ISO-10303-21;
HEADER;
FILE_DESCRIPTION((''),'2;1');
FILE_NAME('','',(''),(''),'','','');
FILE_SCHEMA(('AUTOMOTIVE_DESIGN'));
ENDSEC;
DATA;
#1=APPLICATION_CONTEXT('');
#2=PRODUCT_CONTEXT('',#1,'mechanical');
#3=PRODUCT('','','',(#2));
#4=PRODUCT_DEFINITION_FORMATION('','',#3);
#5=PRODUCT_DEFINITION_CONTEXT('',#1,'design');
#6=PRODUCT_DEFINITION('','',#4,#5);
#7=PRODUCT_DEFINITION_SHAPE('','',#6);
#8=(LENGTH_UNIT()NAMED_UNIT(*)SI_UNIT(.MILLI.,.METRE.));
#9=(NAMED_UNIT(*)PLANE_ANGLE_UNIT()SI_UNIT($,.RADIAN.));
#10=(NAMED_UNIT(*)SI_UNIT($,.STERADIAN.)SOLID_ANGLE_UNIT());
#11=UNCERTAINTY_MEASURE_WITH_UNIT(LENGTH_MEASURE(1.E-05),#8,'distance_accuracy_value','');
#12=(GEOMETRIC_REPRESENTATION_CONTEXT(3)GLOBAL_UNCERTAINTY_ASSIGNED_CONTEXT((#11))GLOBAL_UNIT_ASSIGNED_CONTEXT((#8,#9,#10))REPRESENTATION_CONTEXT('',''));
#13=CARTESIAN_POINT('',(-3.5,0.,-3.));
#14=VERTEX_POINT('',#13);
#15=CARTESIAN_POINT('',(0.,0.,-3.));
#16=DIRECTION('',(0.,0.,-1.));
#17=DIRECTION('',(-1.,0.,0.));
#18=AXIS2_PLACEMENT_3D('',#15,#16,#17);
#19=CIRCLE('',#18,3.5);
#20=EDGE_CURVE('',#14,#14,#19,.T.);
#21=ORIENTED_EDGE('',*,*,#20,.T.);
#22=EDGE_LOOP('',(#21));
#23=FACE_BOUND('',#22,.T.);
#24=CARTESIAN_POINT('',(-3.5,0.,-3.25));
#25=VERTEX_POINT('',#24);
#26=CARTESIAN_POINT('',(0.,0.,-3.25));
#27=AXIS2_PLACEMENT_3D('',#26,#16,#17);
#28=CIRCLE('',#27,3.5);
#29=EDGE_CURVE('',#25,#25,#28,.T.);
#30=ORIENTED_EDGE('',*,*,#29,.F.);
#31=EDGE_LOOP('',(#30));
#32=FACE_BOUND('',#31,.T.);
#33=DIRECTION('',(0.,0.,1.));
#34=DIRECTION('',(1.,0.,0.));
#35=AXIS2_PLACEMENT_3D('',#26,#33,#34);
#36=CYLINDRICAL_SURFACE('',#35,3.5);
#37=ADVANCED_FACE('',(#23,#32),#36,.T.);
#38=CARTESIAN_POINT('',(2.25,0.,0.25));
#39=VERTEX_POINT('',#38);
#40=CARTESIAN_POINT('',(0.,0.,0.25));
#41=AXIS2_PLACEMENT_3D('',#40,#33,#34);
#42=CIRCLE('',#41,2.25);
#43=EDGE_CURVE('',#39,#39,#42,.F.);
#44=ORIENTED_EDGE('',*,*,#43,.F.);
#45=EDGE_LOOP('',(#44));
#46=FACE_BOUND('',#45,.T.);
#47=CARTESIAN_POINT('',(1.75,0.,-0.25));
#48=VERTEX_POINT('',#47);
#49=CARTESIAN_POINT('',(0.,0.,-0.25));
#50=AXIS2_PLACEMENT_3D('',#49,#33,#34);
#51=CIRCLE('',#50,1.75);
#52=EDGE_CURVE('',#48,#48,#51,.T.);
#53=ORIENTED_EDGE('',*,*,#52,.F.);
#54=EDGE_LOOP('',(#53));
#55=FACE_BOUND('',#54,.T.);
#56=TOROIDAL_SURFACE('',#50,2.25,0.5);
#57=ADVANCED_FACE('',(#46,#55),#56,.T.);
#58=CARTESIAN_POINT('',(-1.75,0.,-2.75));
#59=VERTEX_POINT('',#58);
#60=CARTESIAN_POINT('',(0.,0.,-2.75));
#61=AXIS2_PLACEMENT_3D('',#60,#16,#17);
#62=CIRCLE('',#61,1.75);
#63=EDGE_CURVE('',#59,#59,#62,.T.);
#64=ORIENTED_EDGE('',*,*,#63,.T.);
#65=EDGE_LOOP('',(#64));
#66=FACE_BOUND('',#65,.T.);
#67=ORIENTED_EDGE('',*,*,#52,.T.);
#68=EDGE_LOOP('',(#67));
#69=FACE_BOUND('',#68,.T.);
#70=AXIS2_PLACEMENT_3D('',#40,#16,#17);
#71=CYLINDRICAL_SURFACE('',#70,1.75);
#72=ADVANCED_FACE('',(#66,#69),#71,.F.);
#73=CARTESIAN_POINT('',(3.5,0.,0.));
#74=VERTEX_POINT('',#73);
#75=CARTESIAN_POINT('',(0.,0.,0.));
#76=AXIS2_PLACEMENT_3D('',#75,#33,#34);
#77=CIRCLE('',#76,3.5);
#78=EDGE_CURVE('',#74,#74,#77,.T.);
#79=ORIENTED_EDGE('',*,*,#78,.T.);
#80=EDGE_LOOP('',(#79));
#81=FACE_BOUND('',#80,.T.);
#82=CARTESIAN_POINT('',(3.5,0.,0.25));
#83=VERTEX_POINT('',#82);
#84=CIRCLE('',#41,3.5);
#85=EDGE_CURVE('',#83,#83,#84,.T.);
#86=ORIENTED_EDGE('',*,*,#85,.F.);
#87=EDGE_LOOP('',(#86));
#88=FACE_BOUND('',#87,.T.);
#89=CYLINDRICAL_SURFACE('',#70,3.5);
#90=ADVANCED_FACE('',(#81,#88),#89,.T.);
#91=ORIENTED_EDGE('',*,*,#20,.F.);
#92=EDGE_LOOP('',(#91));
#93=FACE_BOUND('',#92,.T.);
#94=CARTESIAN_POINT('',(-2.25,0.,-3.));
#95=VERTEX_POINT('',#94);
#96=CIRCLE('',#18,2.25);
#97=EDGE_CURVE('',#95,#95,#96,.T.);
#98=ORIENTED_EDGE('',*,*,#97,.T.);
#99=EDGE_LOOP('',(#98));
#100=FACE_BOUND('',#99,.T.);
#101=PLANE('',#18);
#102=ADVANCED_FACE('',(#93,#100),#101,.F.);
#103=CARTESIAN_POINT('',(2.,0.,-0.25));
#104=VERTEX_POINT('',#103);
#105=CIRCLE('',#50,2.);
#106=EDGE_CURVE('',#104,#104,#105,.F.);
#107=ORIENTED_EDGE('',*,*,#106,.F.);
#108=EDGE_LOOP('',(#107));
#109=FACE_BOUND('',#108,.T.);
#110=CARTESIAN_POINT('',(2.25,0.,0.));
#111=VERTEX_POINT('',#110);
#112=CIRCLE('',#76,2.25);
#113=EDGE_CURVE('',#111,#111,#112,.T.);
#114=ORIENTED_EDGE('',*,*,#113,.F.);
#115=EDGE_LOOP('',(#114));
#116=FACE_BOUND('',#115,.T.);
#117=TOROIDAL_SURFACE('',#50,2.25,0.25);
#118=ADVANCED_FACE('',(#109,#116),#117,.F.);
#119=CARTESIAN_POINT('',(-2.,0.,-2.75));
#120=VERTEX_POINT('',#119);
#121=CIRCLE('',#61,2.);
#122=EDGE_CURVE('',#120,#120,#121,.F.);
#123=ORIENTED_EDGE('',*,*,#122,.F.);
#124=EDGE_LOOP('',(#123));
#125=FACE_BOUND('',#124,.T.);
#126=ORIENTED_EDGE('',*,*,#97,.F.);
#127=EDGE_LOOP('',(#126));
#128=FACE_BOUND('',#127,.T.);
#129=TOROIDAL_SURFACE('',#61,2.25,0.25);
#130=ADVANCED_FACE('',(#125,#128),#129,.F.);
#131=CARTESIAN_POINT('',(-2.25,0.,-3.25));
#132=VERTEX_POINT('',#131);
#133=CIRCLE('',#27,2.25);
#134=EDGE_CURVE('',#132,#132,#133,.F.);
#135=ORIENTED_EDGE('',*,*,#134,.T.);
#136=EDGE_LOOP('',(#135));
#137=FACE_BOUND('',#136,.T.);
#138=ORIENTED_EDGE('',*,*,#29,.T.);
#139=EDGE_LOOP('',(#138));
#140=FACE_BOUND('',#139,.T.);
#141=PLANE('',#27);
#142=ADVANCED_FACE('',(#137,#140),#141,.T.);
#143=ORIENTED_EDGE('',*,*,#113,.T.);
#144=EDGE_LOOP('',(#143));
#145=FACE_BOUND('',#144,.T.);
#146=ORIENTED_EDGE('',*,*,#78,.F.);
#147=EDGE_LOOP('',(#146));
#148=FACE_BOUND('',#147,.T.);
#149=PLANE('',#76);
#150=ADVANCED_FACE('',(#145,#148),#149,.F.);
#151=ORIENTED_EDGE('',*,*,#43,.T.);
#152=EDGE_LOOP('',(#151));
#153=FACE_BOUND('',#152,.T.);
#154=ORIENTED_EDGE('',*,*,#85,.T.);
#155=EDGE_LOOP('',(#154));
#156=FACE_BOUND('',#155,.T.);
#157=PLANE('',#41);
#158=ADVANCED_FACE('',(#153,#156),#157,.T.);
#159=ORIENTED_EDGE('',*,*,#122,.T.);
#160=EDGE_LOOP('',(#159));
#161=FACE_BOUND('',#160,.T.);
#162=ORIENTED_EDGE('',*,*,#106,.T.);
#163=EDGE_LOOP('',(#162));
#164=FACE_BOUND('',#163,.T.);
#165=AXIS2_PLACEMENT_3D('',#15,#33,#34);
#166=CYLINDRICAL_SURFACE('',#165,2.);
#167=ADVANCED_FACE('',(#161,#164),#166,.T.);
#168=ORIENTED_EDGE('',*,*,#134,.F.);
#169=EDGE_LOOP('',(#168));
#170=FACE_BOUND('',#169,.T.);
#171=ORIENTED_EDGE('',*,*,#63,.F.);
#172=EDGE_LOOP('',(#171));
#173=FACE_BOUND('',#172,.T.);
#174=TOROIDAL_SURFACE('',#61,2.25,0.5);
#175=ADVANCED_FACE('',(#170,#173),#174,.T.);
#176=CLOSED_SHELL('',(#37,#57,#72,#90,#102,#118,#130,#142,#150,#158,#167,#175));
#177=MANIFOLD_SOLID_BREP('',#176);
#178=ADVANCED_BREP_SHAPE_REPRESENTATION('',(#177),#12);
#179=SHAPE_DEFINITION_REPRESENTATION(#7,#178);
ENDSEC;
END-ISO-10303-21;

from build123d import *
from build123d.topology import SkipClean

# Parameters (mm, degrees)
SKETCH_1_R      = 3.5
SKETCH_1_R_2    = 1.75
EXTRUDE_1_DEPTH = 0.25
EXTRUDE_START   = 3
SKETCH_2_R      = 2
SKETCH_2_R_2    = 1.75
EXTRUDE_2_DEPTH = 3
EXTRUDE_START_2 = 0.25
SKETCH_3_R      = 3.5
SKETCH_3_R_2    = 1.75
EXTRUDE_3_DEPTH = 0.25
FILLET_1_R      = 0.25
FILLET_2_R      = 0.5


with BuildPart() as part:
    # Эскиз1 → Вытянуть1 (new body)
    with BuildSketch(Plane.XY):
        Circle(SKETCH_1_R)
        Circle(SKETCH_1_R_2, mode=Mode.SUBTRACT)
    extrude(amount=EXTRUDE_1_DEPTH)

    # Эскиз2 → Вытянуть2 (add)
    with SkipClean():  # the faces are left unmerged after this step: merging them gives an invalid solid
        with BuildSketch(Plane(origin=(0, 0, 0), x_dir=(-1, 0, 0), z_dir=(0, 0, -1)).offset(EXTRUDE_START)):
            with Locations(Location((0, 0, 0), (0, 0, 180))):
                Circle(SKETCH_2_R)
            Circle(SKETCH_2_R_2, mode=Mode.SUBTRACT)
        extrude(amount=-EXTRUDE_2_DEPTH)

    # Эскиз3 → Вытянуть3 (add)
    with SkipClean():  # the faces are left unmerged after this step: merging them gives an invalid solid
        with BuildSketch(Plane(origin=(0, 0, -3), x_dir=(-1, 0, 0), z_dir=(0, 0, -1)).offset(EXTRUDE_START_2)):
            with Locations(Location((0, 0, 0), (0, 0, 180))):
                Circle(SKETCH_3_R)
            Circle(SKETCH_3_R_2, mode=Mode.SUBTRACT)
        extrude(amount=-EXTRUDE_3_DEPTH)

    # Скругление1
    fillet_1_edges = [part.edges().sort_by_distance(p)[0] for p in [
        (-2, 0, -3),
        (-2, 0, 0),
    ]]
    fillet(fillet_1_edges, radius=FILLET_1_R)

    # Скругление2
    fillet_2_edges = [part.edges().sort_by_distance(p)[0] for p in [
        (1.75, 0, -3.25),
        (-1.75, 0, 0.25),
    ]]
    fillet(fillet_2_edges, radius=FILLET_2_R)


solid = part.part
